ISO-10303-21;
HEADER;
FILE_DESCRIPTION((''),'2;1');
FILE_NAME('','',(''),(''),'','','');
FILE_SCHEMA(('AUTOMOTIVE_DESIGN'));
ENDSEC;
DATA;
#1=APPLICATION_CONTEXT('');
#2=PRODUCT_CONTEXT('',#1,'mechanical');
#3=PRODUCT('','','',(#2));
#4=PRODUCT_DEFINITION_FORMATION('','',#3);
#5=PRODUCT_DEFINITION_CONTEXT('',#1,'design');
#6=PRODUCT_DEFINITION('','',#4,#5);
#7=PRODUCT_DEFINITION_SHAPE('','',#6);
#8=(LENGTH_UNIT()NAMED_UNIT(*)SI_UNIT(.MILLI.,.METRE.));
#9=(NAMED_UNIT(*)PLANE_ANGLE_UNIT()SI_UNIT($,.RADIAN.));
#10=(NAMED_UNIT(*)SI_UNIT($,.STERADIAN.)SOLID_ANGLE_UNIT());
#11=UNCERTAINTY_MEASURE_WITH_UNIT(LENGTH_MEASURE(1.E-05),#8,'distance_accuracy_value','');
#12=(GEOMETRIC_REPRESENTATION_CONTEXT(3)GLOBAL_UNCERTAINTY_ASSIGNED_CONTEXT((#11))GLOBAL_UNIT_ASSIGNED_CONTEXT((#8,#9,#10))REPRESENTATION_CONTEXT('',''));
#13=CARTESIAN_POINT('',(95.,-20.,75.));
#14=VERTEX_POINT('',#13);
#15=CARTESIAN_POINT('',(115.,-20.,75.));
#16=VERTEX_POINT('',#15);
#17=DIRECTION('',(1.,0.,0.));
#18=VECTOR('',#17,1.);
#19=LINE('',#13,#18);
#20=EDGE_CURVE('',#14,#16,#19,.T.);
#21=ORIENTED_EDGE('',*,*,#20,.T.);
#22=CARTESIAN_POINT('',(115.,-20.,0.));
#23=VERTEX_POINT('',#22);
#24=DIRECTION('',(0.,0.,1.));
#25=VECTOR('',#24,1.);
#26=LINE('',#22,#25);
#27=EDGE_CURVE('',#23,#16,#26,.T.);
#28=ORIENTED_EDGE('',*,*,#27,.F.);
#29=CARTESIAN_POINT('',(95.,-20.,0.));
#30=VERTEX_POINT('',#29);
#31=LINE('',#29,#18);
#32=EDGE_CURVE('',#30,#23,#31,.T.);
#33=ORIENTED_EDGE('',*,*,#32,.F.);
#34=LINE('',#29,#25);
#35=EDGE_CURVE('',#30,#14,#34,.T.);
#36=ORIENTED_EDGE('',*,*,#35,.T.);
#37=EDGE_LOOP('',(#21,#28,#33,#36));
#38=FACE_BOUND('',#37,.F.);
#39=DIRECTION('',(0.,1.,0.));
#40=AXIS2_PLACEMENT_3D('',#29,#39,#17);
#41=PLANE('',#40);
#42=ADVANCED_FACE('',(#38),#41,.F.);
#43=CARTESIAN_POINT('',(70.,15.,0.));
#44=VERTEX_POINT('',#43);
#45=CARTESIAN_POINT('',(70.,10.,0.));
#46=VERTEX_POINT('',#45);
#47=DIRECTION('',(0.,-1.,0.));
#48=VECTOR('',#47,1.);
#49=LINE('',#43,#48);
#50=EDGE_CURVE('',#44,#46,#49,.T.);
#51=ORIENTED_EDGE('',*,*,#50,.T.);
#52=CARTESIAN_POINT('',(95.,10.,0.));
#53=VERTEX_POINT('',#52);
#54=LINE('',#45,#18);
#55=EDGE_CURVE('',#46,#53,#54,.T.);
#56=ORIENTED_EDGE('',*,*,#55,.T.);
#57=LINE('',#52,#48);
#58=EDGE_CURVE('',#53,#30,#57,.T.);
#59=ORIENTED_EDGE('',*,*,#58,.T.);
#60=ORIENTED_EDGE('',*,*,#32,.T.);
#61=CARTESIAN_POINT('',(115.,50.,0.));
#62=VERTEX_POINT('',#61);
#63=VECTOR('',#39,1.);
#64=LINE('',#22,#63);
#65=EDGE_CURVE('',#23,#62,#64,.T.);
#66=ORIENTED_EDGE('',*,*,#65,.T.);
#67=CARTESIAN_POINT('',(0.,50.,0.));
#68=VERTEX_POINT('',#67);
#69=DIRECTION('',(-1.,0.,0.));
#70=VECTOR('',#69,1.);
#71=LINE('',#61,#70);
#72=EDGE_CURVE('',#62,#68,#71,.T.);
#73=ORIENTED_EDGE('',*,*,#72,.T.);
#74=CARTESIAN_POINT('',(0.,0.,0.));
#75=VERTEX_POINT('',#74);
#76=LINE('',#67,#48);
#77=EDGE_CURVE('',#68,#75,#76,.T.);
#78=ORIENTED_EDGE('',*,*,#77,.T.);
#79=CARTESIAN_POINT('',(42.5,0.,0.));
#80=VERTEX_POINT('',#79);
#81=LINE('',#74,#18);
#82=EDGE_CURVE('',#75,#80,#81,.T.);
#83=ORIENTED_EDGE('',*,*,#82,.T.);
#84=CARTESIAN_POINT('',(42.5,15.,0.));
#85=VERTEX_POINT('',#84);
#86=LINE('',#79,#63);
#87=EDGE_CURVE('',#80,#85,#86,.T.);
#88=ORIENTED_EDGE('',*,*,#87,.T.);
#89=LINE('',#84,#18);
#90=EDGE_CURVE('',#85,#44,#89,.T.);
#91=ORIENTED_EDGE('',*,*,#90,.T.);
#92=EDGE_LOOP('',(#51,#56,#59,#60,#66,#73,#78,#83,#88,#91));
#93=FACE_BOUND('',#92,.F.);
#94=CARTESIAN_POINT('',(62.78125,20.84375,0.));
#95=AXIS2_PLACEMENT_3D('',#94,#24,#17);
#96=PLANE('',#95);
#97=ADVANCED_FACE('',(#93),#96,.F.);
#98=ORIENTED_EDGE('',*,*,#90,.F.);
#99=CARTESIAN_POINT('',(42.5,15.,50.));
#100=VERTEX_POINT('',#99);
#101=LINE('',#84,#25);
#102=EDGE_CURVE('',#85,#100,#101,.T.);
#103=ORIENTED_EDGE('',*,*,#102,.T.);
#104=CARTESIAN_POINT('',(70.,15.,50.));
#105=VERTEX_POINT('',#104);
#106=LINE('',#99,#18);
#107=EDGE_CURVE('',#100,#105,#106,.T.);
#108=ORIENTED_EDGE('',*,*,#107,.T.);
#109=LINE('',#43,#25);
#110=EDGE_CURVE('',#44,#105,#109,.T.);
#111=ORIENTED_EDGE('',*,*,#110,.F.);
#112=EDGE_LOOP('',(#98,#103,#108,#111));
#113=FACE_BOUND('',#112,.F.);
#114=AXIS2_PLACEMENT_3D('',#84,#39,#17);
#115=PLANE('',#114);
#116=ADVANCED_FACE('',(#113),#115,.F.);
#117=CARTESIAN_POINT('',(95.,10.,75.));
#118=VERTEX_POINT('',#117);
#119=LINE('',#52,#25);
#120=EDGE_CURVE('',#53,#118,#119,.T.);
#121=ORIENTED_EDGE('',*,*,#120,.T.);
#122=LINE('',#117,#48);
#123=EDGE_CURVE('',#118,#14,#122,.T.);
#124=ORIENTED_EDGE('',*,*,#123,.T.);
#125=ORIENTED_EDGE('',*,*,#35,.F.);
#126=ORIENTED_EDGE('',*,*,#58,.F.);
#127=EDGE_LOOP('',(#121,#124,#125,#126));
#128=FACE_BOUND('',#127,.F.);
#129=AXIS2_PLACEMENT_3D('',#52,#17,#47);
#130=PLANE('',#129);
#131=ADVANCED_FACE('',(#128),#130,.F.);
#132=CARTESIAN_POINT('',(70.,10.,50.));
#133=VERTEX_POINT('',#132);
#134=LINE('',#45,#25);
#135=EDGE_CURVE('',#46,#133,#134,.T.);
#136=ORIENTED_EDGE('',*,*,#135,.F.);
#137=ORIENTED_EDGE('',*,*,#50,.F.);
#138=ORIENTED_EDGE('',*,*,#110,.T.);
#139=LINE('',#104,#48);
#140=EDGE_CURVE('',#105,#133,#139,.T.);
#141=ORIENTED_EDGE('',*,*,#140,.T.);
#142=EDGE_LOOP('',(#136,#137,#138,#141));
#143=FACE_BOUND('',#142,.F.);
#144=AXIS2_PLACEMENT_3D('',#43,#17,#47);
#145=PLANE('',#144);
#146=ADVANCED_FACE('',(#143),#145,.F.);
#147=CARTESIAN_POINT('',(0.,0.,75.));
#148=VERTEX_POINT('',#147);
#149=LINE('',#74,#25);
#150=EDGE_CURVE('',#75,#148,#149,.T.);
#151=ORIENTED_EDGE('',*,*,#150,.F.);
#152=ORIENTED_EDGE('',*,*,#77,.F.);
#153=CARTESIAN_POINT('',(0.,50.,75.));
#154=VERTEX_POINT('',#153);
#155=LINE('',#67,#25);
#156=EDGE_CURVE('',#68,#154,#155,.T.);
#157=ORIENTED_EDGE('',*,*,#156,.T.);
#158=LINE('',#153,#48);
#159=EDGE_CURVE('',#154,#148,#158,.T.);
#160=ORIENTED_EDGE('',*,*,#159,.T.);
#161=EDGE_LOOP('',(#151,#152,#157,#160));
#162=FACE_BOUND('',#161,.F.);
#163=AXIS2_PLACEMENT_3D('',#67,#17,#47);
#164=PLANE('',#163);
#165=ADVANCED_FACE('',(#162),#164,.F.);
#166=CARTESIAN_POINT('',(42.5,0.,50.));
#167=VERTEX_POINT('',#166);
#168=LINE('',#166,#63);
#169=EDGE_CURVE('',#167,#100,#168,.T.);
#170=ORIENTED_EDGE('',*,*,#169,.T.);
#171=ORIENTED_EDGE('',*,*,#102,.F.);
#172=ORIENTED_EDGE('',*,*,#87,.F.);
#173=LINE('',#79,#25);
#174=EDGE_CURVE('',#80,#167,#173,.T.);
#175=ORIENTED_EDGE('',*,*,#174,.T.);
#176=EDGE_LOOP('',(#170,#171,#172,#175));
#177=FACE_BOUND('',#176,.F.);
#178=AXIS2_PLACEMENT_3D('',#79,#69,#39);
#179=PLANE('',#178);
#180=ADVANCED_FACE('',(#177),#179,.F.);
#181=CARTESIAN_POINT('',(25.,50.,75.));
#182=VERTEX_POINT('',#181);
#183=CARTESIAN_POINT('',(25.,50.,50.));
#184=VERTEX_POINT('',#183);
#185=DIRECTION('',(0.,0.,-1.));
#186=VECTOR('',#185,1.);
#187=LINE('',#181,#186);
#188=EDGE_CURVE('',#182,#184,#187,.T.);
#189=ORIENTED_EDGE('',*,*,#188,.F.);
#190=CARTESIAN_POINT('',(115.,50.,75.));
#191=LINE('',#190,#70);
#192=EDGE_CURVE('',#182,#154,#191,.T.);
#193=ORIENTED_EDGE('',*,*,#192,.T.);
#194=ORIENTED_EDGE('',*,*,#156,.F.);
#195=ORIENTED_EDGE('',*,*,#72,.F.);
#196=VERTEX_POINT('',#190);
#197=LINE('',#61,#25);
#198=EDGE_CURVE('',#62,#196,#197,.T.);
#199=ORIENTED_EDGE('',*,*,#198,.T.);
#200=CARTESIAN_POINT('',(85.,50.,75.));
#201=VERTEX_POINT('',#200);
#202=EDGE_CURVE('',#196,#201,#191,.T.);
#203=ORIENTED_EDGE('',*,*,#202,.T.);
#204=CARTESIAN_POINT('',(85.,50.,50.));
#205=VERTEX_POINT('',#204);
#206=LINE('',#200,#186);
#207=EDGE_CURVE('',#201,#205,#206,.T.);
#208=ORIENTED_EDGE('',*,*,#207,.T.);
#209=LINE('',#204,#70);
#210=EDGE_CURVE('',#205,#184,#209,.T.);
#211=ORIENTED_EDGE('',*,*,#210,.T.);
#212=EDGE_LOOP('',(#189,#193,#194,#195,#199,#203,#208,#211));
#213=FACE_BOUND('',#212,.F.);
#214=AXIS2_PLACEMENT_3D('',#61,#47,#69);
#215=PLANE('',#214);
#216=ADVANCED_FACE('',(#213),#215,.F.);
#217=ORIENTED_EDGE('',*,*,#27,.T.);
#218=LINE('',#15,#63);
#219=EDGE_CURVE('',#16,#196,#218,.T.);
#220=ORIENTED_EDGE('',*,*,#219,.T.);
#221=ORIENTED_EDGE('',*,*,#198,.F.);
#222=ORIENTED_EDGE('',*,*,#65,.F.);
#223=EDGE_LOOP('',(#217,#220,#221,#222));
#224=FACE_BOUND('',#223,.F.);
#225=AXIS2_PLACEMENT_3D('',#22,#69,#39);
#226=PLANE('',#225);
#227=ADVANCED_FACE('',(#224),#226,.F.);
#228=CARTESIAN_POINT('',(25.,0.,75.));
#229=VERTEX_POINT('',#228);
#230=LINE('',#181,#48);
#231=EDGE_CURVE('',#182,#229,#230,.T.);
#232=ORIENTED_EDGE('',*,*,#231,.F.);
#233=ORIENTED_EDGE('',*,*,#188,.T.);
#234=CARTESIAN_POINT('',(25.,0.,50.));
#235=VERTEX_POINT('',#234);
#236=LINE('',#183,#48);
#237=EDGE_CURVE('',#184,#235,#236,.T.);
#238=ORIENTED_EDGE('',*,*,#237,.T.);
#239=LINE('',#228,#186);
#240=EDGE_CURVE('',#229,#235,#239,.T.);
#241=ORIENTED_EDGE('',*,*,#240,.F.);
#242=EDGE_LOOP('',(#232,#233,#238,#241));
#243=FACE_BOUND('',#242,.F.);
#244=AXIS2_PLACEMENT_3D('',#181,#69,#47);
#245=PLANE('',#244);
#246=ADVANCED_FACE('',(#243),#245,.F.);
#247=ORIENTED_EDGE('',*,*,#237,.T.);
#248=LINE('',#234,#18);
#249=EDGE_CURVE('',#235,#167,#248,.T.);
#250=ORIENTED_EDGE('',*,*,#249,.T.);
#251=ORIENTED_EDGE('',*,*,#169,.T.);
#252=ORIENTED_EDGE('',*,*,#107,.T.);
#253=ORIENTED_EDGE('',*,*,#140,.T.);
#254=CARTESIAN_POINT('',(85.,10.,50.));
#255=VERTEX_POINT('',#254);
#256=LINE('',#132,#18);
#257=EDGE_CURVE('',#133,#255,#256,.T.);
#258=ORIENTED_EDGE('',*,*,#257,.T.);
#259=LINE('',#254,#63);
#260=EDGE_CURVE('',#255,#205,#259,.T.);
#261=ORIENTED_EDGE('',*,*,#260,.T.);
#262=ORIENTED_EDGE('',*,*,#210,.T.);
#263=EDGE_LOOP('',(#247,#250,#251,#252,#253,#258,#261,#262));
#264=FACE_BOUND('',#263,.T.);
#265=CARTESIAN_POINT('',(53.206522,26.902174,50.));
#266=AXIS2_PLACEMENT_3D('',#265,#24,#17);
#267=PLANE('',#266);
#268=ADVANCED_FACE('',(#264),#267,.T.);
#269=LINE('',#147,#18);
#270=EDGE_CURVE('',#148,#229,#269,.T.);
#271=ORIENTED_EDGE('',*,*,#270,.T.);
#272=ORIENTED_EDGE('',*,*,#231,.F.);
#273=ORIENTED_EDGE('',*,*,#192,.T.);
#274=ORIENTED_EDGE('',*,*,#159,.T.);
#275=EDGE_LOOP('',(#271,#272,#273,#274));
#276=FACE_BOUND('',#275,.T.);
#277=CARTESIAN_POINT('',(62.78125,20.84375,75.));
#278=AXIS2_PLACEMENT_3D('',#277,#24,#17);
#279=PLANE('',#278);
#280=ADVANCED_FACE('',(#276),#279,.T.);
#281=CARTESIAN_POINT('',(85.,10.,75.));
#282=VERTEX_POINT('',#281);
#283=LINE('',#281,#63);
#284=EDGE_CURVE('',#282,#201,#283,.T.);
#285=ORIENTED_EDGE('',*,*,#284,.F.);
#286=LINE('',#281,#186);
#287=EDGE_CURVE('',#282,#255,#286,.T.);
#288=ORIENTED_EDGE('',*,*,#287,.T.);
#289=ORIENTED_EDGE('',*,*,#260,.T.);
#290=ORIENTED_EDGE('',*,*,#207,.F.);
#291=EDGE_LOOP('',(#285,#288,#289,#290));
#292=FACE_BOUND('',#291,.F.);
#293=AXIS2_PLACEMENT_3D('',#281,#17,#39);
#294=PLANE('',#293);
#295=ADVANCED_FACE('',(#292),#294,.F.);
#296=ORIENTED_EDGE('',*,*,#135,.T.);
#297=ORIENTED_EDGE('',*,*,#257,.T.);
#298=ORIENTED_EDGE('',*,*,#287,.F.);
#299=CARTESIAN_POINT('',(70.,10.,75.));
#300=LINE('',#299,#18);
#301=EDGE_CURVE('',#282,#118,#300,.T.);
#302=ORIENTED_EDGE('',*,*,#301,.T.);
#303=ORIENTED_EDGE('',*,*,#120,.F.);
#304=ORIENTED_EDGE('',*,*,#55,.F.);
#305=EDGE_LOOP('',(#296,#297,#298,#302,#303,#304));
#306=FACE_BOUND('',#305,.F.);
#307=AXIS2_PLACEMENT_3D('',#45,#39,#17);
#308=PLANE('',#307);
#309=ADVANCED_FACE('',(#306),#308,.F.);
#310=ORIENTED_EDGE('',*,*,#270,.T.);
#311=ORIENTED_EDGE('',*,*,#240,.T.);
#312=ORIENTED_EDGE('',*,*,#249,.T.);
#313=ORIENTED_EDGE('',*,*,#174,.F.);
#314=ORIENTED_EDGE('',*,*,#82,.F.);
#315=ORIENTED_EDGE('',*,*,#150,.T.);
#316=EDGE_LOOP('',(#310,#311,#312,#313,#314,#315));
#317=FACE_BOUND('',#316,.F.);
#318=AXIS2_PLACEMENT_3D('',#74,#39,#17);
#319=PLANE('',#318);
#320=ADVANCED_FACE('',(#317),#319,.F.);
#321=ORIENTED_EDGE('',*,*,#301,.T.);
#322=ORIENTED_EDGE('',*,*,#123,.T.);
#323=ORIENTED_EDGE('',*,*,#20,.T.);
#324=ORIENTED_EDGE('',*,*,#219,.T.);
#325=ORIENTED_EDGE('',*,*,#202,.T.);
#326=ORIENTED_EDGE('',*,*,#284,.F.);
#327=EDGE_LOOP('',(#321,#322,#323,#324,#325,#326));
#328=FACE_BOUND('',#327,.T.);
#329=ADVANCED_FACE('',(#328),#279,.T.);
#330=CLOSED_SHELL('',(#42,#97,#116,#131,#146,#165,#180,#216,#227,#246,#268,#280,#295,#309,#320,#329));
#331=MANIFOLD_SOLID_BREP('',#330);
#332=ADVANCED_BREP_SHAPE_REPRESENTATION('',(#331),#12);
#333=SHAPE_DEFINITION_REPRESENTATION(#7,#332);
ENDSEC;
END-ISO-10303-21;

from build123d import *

# Parameters (mm, degrees)
F1_DEPTH = 75
F3_DEPTH = 25


with BuildPart() as f1:
    # F0 (on Top) → F1 (new body)
    with BuildSketch(Plane.XY):
        Polygon((0, 50), (0, 0), (42.5, 0), (42.5, 15), (70, 15), (70, 10), (95, 10), (95, -20), (115, -20), (115, 50), align=None)
    extrude(amount=F1_DEPTH)

    # F2 (on face) → F3 (cut)
    with BuildSketch(Plane.XY.offset(75)):
        Polygon((85, 50), (25, 50), (25, 0), (42.5, 0), (42.5, 15), (70, 15), (70, 10), (85, 10), align=None)
    extrude(amount=-F3_DEPTH, mode=Mode.SUBTRACT)


solid = f1.part
